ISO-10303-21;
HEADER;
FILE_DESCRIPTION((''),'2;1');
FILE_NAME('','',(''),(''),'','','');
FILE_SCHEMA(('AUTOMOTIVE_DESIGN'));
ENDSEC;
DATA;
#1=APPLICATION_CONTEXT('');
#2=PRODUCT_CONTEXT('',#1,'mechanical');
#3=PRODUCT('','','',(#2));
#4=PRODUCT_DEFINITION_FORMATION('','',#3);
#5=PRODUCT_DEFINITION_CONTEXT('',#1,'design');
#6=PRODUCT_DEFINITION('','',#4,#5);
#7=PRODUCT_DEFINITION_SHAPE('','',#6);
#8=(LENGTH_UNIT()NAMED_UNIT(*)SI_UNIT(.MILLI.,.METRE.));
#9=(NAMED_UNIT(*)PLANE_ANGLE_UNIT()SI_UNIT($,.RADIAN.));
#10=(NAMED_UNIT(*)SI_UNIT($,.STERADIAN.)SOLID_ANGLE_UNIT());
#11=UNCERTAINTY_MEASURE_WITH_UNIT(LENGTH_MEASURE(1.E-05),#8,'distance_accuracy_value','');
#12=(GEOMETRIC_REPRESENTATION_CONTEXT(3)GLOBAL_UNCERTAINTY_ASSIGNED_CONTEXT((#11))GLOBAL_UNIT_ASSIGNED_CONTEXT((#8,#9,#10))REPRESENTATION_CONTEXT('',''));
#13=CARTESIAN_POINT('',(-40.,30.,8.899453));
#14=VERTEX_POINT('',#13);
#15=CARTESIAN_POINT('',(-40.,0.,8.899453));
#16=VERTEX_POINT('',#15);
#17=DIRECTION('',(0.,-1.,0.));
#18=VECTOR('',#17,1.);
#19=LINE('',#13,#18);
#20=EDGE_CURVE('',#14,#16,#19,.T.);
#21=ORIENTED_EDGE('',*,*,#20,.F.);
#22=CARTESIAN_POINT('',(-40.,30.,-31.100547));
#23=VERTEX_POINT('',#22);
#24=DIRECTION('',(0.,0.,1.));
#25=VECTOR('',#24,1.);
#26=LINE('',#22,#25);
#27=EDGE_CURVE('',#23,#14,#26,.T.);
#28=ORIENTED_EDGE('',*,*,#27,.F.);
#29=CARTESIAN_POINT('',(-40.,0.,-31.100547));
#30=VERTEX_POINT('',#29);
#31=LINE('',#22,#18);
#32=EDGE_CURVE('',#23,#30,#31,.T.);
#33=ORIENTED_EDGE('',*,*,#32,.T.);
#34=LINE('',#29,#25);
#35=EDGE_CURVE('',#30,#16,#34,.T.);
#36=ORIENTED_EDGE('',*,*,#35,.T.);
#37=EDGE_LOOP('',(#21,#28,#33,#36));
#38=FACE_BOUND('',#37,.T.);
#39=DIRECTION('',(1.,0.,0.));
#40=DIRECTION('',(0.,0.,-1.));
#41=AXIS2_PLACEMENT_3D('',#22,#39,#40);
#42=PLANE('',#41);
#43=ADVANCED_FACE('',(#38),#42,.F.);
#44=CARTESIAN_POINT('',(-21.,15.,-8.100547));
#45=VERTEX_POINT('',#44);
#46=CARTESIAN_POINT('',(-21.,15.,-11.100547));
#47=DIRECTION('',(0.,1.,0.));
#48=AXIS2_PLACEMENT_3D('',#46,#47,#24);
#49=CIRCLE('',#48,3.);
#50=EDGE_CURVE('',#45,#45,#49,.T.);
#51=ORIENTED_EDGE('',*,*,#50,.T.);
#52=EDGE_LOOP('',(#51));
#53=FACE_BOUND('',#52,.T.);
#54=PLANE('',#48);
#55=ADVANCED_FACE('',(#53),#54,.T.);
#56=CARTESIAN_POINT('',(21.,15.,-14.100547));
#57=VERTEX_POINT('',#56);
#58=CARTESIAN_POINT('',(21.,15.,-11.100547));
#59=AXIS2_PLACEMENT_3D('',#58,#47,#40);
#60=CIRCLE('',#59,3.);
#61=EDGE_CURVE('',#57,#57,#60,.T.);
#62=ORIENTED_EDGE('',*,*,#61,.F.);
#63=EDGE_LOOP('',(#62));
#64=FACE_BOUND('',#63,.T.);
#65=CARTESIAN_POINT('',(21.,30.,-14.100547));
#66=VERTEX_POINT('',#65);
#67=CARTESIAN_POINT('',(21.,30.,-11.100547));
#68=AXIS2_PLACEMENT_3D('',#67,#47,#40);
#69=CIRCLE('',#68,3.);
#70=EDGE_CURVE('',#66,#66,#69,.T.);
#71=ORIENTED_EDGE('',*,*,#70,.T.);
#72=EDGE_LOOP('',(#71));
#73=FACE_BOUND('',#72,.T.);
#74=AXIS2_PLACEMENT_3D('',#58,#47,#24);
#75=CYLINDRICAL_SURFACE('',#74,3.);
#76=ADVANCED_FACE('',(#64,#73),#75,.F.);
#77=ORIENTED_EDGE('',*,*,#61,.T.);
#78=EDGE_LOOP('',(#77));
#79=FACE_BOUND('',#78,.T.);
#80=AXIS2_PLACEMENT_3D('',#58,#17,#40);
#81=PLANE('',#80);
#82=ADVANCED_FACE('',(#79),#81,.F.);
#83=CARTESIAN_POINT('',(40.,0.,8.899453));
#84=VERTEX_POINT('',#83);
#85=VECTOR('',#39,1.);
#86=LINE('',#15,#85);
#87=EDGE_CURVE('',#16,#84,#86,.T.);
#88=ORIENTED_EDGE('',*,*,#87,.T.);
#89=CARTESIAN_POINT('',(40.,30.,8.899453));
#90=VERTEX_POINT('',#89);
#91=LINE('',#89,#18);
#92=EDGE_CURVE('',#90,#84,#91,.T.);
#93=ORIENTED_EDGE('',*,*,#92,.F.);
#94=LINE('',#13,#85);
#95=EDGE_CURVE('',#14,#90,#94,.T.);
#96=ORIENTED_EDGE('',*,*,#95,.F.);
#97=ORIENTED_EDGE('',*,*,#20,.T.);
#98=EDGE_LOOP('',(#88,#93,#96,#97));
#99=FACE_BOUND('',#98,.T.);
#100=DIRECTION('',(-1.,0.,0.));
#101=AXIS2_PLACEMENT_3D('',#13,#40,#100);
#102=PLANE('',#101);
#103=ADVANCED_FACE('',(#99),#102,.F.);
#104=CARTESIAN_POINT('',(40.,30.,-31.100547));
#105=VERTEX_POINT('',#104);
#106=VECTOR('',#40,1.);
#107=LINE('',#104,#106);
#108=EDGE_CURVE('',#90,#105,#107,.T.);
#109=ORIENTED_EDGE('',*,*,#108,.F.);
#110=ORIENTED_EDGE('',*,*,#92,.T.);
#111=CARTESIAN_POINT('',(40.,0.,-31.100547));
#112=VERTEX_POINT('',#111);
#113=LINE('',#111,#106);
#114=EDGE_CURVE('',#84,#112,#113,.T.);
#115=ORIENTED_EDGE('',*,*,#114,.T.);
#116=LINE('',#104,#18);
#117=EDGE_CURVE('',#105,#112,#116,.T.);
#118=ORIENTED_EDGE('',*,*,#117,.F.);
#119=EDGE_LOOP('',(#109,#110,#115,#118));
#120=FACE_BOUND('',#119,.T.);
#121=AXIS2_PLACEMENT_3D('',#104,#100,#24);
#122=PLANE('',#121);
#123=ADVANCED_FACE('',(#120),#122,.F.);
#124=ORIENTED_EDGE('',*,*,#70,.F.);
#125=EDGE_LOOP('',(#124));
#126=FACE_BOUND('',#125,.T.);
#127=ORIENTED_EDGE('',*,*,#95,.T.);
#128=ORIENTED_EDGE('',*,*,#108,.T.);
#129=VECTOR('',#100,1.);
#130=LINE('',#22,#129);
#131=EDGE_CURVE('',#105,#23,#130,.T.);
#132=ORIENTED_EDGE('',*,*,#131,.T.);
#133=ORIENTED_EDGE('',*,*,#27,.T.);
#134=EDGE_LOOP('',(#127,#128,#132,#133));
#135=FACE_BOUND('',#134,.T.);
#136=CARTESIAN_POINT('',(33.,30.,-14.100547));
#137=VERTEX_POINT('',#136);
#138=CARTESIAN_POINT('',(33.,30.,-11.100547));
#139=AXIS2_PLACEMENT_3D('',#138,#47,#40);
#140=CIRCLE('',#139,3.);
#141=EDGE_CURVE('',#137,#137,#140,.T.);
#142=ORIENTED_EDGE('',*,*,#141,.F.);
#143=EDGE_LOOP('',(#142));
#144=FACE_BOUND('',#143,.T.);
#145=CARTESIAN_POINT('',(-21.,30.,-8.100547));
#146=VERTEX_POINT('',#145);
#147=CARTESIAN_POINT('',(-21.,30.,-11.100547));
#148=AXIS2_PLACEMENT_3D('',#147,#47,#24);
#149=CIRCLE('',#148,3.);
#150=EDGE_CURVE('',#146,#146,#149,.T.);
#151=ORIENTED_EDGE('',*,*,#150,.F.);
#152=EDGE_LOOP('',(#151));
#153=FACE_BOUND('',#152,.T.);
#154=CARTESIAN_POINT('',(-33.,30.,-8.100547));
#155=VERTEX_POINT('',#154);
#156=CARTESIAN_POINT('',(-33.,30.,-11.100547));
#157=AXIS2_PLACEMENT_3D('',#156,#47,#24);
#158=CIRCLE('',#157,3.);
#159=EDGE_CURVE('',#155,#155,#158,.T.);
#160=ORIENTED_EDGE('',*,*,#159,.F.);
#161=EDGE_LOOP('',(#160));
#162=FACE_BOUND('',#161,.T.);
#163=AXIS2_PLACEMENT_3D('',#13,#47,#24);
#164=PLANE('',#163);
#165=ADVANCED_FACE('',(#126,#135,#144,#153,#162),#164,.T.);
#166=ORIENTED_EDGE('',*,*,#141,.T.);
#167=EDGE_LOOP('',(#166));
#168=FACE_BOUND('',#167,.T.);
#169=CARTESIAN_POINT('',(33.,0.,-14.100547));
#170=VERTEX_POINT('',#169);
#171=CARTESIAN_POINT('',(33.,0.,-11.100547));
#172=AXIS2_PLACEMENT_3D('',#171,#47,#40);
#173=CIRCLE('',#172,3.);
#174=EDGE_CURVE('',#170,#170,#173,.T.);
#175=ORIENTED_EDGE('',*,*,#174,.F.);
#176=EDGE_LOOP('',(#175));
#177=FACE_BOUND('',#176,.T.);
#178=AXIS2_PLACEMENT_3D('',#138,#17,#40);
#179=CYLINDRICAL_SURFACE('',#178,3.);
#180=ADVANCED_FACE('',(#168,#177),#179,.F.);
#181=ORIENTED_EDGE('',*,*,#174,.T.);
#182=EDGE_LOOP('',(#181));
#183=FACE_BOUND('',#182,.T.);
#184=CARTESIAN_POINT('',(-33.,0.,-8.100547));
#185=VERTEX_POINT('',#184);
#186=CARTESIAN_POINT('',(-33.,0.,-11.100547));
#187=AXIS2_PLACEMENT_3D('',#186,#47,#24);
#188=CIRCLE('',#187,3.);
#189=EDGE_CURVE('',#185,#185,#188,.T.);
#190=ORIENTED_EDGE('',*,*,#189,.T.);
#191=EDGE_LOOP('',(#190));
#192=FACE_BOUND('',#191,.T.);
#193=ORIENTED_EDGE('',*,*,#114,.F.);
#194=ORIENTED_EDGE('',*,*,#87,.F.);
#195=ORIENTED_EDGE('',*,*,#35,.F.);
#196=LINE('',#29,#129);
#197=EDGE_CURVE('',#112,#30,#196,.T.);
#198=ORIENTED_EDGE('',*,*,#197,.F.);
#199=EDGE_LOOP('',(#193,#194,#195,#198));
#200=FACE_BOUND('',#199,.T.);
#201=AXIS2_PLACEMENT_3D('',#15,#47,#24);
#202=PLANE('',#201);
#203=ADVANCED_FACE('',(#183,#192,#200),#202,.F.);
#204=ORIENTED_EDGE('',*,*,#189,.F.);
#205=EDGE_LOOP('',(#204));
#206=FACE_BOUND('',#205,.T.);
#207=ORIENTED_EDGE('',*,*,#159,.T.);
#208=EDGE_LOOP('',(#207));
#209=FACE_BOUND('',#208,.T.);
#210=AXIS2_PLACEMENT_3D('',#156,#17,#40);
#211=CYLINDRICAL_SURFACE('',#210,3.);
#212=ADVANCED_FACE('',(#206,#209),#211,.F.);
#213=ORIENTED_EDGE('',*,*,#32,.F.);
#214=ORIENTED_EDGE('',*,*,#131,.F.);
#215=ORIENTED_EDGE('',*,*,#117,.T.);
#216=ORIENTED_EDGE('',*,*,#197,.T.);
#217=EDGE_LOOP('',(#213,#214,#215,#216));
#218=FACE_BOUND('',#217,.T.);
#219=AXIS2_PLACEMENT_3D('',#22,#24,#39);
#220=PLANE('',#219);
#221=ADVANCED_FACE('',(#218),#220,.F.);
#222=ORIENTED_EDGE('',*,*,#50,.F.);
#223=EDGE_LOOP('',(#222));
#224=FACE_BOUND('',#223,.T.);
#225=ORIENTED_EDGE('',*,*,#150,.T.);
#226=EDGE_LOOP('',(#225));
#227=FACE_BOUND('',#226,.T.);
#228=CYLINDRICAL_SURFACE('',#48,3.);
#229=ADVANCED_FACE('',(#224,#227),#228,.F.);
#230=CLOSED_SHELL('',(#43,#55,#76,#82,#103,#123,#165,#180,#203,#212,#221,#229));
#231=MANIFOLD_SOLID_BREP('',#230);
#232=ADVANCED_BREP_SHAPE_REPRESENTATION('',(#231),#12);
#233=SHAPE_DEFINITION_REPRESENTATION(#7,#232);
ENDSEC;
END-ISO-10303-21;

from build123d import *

# Parameters (mm, degrees)
SKETCH1_W           = 80
SKETCH1_H           = 40
SKETCH1_R           = 3
BOSS_EXTRUDE1_DEPTH = 30
SKETCH2_R           = 3
CUT_EXTRUDE1_DEPTH  = 15


with BuildPart() as part:
    # Sketch1 → Boss-Extrude1 (new body)
    with BuildSketch(Plane(origin=(0, 0, 0), x_dir=(1, 0, 0), z_dir=(0, 1, 0))):
        with Locations((0, 11.100547393)):
            Rectangle(SKETCH1_W, SKETCH1_H)
        with Locations(Location((-33, 11.100547393, 0), (0, 0, 270))):  # turned: the seam where the file's is
            Circle(SKETCH1_R, mode=Mode.SUBTRACT)
        with Locations(Location((33, 11.100547393, 0), (0, 0, 90))):  # turned: the seam where the file's is
            Circle(SKETCH1_R, mode=Mode.SUBTRACT)
    extrude(amount=BOSS_EXTRUDE1_DEPTH)

    # Sketch2 → Cut-Extrude1 (cut)
    with BuildSketch(Plane(origin=(0, 30, 0), x_dir=(-1, 0, 0), z_dir=(0, 1, 0))):
        with Locations(Location((21, -11.100547393, 0), (0, 0, 90))):  # turned: the seam where the file's is
            Circle(SKETCH2_R)
        with Locations(Location((-21, -11.100547393, 0), (0, 0, 270))):  # turned: the seam where the file's is
            Circle(SKETCH2_R)
    extrude(amount=-CUT_EXTRUDE1_DEPTH, mode=Mode.SUBTRACT)


solid = part.part
